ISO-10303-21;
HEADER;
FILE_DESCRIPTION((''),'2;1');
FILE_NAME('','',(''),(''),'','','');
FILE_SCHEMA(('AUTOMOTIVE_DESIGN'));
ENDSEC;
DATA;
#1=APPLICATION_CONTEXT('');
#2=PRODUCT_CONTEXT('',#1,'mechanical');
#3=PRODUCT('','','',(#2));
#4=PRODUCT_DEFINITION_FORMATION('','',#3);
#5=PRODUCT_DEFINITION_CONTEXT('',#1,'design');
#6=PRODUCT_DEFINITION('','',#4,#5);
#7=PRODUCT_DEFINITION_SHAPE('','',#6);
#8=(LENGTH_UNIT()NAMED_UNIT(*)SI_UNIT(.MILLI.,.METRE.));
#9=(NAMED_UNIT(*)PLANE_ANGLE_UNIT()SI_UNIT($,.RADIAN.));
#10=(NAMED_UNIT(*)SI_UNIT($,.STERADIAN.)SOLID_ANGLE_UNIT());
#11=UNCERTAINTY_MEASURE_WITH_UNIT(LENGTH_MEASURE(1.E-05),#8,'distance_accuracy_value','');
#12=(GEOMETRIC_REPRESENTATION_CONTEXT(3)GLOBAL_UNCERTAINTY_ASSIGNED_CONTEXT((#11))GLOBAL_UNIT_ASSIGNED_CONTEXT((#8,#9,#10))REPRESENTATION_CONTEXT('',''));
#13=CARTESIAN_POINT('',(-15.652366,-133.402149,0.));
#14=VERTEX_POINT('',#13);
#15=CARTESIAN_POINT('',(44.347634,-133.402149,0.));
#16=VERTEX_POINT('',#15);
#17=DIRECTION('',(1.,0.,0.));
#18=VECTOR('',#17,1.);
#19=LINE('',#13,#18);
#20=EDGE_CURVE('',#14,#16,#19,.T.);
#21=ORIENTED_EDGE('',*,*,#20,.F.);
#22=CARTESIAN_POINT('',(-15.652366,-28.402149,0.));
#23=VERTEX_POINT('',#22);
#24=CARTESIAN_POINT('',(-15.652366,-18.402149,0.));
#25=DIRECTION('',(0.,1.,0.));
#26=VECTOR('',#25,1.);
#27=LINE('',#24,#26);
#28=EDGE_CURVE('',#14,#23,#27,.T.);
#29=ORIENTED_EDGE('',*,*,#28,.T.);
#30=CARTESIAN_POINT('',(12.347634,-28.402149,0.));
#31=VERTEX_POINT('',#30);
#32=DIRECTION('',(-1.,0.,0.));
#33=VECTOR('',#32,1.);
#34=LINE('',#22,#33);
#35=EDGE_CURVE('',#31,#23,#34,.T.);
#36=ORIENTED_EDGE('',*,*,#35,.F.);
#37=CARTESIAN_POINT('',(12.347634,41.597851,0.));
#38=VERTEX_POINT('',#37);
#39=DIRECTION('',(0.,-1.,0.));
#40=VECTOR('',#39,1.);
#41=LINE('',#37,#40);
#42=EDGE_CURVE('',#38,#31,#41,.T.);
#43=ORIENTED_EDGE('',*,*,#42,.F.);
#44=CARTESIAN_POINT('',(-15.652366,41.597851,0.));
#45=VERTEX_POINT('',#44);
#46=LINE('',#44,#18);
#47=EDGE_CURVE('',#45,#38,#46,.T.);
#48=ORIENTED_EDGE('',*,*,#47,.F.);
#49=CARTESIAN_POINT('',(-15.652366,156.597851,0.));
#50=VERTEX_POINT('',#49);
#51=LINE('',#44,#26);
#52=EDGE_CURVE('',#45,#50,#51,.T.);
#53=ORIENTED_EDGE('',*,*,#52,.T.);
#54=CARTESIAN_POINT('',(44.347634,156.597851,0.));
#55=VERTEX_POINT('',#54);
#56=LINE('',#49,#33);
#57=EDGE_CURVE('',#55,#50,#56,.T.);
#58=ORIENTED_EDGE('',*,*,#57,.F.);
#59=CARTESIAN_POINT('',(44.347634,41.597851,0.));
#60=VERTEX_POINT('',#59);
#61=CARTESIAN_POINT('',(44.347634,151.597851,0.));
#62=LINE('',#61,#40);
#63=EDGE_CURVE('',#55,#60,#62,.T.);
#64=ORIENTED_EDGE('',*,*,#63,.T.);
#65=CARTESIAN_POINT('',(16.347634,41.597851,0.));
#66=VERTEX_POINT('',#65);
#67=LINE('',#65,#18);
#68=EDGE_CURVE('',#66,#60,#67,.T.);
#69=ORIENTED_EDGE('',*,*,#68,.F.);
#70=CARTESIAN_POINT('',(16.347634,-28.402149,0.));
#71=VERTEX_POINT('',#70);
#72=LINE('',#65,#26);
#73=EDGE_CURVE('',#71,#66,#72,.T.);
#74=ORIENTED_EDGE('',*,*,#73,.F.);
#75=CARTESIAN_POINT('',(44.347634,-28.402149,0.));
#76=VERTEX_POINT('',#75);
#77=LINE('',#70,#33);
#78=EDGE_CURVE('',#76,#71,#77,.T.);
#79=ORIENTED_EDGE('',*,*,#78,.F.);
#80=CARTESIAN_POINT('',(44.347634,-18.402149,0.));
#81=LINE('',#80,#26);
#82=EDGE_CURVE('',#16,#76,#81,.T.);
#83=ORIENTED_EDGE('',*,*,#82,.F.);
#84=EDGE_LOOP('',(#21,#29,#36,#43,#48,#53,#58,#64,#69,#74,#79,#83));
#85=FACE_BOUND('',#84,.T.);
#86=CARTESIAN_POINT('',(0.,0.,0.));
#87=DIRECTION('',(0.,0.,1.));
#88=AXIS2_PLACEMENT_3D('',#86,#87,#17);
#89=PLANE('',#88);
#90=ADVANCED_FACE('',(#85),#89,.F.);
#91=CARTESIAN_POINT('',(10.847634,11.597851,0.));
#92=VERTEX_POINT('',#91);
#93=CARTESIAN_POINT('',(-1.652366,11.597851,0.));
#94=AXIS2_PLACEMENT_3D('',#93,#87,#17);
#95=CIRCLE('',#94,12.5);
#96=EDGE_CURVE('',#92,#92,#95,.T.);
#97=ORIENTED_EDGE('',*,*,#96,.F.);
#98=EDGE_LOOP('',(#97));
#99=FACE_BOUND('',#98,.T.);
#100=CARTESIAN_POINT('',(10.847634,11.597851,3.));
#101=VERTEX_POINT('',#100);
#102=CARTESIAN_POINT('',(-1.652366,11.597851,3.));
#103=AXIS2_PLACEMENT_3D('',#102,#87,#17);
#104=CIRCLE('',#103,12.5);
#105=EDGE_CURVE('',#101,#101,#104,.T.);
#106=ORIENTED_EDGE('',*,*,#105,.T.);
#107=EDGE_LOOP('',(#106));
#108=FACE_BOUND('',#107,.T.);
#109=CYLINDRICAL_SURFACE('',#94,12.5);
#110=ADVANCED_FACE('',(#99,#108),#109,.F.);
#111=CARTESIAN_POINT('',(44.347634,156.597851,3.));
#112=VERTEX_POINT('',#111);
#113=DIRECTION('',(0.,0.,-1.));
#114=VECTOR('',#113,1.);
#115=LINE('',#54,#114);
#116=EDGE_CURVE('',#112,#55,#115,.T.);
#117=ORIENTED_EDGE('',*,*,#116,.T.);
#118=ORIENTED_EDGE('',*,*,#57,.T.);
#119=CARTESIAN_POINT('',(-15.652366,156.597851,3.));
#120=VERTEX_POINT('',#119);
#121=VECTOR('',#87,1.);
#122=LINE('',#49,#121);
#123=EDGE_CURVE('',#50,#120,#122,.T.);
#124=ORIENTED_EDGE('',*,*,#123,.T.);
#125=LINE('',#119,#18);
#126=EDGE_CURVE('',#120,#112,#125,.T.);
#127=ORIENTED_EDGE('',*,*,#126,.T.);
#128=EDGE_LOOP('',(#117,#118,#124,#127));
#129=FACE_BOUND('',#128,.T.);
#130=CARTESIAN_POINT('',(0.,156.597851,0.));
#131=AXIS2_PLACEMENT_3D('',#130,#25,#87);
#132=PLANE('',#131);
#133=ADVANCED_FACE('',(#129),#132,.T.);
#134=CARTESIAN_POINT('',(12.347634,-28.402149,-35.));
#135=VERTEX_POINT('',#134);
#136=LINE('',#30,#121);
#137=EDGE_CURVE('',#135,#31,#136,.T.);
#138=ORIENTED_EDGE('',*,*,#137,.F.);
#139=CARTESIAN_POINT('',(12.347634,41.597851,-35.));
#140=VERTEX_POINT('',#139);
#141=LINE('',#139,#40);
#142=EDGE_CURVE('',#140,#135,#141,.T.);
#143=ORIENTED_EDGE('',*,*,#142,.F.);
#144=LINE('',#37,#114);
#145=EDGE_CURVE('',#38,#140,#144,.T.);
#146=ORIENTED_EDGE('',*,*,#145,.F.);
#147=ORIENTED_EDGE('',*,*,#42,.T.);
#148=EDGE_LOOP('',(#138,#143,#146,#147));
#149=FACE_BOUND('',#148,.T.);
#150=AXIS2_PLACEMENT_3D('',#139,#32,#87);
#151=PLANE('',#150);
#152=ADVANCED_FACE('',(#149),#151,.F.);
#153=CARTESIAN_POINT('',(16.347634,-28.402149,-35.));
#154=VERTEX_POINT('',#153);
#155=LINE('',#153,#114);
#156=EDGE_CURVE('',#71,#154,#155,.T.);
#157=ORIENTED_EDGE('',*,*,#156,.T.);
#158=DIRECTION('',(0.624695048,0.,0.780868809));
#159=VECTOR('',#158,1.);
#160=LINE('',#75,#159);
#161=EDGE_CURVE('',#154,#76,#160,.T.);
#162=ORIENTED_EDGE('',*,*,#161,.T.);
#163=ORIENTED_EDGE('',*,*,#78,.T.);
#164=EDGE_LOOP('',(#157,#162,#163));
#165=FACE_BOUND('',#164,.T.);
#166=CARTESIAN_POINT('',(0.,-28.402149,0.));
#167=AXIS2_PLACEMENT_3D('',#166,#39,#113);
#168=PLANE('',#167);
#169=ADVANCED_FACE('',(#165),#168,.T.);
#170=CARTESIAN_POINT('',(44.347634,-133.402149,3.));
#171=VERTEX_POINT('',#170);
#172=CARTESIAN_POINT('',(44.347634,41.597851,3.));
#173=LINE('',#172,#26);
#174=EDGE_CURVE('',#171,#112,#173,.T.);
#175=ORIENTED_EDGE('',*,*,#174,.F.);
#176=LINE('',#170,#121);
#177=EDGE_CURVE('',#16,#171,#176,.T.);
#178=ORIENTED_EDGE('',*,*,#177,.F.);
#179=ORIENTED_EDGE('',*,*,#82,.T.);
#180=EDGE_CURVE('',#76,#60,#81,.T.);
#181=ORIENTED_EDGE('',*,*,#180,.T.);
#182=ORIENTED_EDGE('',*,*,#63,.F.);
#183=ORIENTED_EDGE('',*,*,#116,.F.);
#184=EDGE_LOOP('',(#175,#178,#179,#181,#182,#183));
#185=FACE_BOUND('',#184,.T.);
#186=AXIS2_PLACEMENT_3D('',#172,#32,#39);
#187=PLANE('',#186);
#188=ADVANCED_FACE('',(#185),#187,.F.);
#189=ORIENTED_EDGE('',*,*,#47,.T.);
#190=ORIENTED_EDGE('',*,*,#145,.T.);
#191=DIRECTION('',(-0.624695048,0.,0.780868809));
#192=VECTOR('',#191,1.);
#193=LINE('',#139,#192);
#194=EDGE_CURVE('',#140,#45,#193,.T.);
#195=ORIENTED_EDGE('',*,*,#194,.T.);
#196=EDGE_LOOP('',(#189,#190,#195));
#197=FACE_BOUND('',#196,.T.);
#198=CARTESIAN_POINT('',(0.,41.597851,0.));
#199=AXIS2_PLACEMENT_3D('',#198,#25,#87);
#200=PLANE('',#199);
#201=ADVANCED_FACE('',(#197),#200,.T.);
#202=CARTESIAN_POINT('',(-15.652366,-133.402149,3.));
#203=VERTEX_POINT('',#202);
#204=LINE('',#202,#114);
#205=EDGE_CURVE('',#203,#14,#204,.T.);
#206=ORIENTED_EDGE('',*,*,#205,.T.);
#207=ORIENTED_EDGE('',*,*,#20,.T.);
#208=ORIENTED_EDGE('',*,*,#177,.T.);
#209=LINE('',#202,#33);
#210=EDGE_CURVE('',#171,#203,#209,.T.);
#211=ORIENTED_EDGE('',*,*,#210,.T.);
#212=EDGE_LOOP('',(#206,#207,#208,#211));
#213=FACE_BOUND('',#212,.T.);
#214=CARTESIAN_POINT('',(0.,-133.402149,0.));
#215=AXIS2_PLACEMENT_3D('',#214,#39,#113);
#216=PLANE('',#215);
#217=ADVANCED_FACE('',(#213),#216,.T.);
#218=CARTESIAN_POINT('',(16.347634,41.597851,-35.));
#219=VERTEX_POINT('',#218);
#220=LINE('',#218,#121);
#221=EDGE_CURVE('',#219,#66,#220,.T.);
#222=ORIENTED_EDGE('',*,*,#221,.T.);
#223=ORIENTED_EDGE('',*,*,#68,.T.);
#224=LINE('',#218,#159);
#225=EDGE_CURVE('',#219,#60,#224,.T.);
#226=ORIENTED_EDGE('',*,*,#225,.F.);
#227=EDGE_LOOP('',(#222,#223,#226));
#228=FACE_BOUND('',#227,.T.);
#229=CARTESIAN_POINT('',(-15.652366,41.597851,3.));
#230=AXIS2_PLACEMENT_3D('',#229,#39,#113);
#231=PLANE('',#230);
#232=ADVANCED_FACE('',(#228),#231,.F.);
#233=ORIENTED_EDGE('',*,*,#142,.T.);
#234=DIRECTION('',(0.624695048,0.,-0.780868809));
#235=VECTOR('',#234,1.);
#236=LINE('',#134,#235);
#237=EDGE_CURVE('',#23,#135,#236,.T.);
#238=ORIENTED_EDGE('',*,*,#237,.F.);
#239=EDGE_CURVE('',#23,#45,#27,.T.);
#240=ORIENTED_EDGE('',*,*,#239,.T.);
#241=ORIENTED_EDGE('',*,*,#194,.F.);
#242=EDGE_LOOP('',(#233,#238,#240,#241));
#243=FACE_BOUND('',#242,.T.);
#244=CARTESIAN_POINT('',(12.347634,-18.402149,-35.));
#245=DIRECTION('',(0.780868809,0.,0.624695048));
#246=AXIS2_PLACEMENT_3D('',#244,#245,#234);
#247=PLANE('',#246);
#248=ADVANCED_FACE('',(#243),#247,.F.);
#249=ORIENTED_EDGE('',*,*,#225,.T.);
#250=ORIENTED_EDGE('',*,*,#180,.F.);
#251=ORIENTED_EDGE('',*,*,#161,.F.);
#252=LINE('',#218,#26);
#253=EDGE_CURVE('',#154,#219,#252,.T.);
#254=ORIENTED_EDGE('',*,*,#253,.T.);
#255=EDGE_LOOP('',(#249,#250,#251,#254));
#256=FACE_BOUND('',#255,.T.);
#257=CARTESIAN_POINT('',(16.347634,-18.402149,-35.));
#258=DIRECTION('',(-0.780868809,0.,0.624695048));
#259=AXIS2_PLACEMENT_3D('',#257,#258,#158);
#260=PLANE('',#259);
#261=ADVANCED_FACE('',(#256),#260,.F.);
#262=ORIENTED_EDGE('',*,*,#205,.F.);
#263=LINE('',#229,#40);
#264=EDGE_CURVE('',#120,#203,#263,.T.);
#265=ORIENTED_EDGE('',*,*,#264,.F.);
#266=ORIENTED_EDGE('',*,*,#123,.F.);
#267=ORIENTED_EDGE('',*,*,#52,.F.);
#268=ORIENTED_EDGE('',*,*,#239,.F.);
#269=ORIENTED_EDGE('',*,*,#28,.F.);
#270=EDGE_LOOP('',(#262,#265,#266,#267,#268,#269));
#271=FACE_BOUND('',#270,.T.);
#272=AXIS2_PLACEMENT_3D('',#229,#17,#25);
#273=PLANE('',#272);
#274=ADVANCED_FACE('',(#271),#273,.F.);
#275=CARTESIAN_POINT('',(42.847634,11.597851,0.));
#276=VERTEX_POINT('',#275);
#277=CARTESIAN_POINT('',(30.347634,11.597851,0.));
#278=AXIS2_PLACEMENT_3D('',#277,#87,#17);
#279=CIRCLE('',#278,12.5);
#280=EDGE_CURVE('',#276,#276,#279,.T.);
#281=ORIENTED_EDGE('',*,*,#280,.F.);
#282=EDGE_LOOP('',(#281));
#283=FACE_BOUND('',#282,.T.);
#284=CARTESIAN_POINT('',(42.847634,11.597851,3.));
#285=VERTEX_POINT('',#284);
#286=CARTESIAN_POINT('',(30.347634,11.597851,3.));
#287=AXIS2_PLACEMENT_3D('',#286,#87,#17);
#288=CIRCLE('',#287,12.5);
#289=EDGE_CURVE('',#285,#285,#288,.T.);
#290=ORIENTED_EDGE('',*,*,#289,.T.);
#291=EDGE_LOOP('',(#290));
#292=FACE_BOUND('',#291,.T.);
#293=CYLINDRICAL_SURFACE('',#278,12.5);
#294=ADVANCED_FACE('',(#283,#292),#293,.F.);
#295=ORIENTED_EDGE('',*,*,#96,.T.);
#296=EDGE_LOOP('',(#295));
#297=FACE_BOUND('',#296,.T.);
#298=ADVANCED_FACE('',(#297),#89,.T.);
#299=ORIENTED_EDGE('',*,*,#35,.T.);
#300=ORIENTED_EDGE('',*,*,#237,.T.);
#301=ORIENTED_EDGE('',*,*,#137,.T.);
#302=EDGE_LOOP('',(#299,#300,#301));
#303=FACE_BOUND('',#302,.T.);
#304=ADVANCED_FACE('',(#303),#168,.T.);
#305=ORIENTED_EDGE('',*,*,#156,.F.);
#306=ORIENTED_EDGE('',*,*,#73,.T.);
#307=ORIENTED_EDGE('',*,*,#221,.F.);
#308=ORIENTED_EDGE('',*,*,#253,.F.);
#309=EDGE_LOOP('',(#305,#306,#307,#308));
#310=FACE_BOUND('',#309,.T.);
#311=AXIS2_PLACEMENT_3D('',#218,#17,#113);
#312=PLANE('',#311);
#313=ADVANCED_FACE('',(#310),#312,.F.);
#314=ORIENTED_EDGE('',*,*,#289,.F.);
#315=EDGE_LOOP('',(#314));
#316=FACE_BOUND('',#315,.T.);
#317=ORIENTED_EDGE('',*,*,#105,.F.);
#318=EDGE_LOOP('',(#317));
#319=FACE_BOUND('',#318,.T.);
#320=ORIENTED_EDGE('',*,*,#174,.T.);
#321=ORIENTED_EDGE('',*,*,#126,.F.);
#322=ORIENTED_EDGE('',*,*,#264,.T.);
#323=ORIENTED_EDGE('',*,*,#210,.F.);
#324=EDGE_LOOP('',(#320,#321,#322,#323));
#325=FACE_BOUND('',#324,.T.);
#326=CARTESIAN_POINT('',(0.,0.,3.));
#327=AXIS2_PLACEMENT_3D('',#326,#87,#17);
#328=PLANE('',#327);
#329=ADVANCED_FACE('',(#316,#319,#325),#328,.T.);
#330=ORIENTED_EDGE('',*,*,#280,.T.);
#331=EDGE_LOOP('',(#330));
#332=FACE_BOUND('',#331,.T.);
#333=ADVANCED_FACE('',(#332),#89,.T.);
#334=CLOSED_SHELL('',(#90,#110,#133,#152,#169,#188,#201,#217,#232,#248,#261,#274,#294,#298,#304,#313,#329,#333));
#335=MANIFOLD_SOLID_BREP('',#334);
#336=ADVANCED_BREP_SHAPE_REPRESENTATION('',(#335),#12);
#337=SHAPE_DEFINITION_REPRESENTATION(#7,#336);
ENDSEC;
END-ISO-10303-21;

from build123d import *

# Parameters (mm, degrees)
SKETCH_1_W          = 60
SKETCH_1_H          = 60
EXTRUDE_1_DEPTH     = 3
SKETCH_2_W          = 28
SKETCH_2_H          = 60
EXTRUDE_2_DEPTH     = 35
CUT_EXTRUDE_1_DEPTH = 60
SKETCH_4_R          = 12.5
CUT_EXTRUDE_2_DEPTH = 3
EXTRUDE_3_DEPTH     = 110
EXTRUDE_4_DEPTH     = 110
CUT_EXTRUDE_3_DEPTH = 100
CUT_EXTRUDE_5_DEPTH = 110
SKETCH_12_W         = 60
SKETCH_12_H         = 3
EXTRUDE_5_DEPTH     = 5
SKETCH_13_W         = 60
SKETCH_13_H         = 3
EXTRUDE_6_DEPTH     = 5


with BuildPart() as part:
    # 草图1 → 凸台-拉伸1 (new body)
    with BuildSketch(Plane.XY):
        with Locations((14.347634014, 11.597850928)):
            Rectangle(SKETCH_1_W, SKETCH_1_H)
    extrude(amount=EXTRUDE_1_DEPTH)

    # 草图2 → 凸台-拉伸2 (add)
    with BuildSketch(Plane(origin=(0, 0, 0), x_dir=(-1, 0, 0), z_dir=(0, 0, -1))):
        with Locations((-30.347634014, 11.597850928)):
            Rectangle(SKETCH_2_W, SKETCH_2_H)
        with Locations((1.652365986, 11.597850928)):
            Rectangle(SKETCH_2_W, SKETCH_2_H)
    extrude(amount=EXTRUDE_2_DEPTH)

    # 草图3 → 切除-拉伸1 (cut)
    with BuildSketch(Plane(origin=(0, 41.597850928, 0), x_dir=(1, 0, 0), z_dir=(0, 1, 0))):
        Polygon((16.347634014, 35), (44.347634014, 0), (44.347634014, 35), align=None)
        Polygon((12.347634014, 35), (-15.652365986, 0), (-15.652365986, 35), align=None)
    extrude(amount=-CUT_EXTRUDE_1_DEPTH, mode=Mode.SUBTRACT)

    # 草图4 → 切除-拉伸2 (cut)
    with BuildSketch(Plane.XY.offset(3)):
        with Locations((-1.652365986, 11.597850928)):
            Circle(SKETCH_4_R)
        with Locations((30.347634014, 11.597850928)):
            Circle(SKETCH_4_R)
    extrude(amount=-CUT_EXTRUDE_2_DEPTH, mode=Mode.SUBTRACT)

    # 草图5 → 凸台-拉伸3 (add)
    with BuildSketch(Plane(origin=(0, 41.597850928, 0), x_dir=(1, 0, 0), z_dir=(0, 1, 0))):
        Polygon((12.347634014, 35), (12.347634014, 0), (16.347634014, 0), (16.347634014, 20), (44.347634014, 0), (44.347634014, -3), (-15.652365986, -3), (-15.652365986, 0), align=None)
    extrude(amount=EXTRUDE_3_DEPTH)

    # 草图6 → 凸台-拉伸4 (add)
    with BuildSketch(Plane.XZ.offset(18.402149072)):
        Polygon((-15.652365986, 3), (-15.652365986, 0), (12.347634014, -35), (12.347634014, 0), (16.347634014, 0), (16.347634014, -35), (44.347634014, 0), (44.347634014, 3), align=None)
    extrude(amount=EXTRUDE_4_DEPTH)

    # 草图7 → 切除-拉伸3 (cut)
    with BuildSketch(Plane.XZ.offset(128.402149072)):
        Polygon((44.347634014, 0), (16.347634014, -35), (16.347634014, 0), align=None)
        Polygon((12.347634014, -35), (-15.652365986, 0), (12.347634014, 0), align=None)
    extrude(amount=-CUT_EXTRUDE_3_DEPTH, mode=Mode.SUBTRACT)

    # 草图9 → 切除-拉伸5 (cut)
    with BuildSketch(Plane(origin=(0, 151.597850928, 0), x_dir=(1, 0, 0), z_dir=(0, 1, 0))):
        Polygon((-15.652365986, 0), (12.347634014, 0), (12.347634014, 35), align=None)
        Polygon((16.347634014, 0), (44.347634014, 0), (16.347634014, 20), align=None)
    extrude(amount=-CUT_EXTRUDE_5_DEPTH, mode=Mode.SUBTRACT)

    # 草图12 → 凸台-拉伸5 (add)
    with BuildSketch(Plane(origin=(0, -128.402149072, 0), x_dir=(-1, 0, 0), z_dir=(0, -1, 0))):
        with Locations((-14.347634014, -1.5)):
            Rectangle(SKETCH_12_W, SKETCH_12_H)
    extrude(amount=EXTRUDE_5_DEPTH)

    # 草图13 → 凸台-拉伸6 (add)
    with BuildSketch(Plane(origin=(0, 151.597850928, 0), x_dir=(1, 0, 0), z_dir=(0, 1, 0))):
        with Locations((14.347634014, -1.5)):
            Rectangle(SKETCH_13_W, SKETCH_13_H)
    extrude(amount=EXTRUDE_6_DEPTH)


solid = part.part
